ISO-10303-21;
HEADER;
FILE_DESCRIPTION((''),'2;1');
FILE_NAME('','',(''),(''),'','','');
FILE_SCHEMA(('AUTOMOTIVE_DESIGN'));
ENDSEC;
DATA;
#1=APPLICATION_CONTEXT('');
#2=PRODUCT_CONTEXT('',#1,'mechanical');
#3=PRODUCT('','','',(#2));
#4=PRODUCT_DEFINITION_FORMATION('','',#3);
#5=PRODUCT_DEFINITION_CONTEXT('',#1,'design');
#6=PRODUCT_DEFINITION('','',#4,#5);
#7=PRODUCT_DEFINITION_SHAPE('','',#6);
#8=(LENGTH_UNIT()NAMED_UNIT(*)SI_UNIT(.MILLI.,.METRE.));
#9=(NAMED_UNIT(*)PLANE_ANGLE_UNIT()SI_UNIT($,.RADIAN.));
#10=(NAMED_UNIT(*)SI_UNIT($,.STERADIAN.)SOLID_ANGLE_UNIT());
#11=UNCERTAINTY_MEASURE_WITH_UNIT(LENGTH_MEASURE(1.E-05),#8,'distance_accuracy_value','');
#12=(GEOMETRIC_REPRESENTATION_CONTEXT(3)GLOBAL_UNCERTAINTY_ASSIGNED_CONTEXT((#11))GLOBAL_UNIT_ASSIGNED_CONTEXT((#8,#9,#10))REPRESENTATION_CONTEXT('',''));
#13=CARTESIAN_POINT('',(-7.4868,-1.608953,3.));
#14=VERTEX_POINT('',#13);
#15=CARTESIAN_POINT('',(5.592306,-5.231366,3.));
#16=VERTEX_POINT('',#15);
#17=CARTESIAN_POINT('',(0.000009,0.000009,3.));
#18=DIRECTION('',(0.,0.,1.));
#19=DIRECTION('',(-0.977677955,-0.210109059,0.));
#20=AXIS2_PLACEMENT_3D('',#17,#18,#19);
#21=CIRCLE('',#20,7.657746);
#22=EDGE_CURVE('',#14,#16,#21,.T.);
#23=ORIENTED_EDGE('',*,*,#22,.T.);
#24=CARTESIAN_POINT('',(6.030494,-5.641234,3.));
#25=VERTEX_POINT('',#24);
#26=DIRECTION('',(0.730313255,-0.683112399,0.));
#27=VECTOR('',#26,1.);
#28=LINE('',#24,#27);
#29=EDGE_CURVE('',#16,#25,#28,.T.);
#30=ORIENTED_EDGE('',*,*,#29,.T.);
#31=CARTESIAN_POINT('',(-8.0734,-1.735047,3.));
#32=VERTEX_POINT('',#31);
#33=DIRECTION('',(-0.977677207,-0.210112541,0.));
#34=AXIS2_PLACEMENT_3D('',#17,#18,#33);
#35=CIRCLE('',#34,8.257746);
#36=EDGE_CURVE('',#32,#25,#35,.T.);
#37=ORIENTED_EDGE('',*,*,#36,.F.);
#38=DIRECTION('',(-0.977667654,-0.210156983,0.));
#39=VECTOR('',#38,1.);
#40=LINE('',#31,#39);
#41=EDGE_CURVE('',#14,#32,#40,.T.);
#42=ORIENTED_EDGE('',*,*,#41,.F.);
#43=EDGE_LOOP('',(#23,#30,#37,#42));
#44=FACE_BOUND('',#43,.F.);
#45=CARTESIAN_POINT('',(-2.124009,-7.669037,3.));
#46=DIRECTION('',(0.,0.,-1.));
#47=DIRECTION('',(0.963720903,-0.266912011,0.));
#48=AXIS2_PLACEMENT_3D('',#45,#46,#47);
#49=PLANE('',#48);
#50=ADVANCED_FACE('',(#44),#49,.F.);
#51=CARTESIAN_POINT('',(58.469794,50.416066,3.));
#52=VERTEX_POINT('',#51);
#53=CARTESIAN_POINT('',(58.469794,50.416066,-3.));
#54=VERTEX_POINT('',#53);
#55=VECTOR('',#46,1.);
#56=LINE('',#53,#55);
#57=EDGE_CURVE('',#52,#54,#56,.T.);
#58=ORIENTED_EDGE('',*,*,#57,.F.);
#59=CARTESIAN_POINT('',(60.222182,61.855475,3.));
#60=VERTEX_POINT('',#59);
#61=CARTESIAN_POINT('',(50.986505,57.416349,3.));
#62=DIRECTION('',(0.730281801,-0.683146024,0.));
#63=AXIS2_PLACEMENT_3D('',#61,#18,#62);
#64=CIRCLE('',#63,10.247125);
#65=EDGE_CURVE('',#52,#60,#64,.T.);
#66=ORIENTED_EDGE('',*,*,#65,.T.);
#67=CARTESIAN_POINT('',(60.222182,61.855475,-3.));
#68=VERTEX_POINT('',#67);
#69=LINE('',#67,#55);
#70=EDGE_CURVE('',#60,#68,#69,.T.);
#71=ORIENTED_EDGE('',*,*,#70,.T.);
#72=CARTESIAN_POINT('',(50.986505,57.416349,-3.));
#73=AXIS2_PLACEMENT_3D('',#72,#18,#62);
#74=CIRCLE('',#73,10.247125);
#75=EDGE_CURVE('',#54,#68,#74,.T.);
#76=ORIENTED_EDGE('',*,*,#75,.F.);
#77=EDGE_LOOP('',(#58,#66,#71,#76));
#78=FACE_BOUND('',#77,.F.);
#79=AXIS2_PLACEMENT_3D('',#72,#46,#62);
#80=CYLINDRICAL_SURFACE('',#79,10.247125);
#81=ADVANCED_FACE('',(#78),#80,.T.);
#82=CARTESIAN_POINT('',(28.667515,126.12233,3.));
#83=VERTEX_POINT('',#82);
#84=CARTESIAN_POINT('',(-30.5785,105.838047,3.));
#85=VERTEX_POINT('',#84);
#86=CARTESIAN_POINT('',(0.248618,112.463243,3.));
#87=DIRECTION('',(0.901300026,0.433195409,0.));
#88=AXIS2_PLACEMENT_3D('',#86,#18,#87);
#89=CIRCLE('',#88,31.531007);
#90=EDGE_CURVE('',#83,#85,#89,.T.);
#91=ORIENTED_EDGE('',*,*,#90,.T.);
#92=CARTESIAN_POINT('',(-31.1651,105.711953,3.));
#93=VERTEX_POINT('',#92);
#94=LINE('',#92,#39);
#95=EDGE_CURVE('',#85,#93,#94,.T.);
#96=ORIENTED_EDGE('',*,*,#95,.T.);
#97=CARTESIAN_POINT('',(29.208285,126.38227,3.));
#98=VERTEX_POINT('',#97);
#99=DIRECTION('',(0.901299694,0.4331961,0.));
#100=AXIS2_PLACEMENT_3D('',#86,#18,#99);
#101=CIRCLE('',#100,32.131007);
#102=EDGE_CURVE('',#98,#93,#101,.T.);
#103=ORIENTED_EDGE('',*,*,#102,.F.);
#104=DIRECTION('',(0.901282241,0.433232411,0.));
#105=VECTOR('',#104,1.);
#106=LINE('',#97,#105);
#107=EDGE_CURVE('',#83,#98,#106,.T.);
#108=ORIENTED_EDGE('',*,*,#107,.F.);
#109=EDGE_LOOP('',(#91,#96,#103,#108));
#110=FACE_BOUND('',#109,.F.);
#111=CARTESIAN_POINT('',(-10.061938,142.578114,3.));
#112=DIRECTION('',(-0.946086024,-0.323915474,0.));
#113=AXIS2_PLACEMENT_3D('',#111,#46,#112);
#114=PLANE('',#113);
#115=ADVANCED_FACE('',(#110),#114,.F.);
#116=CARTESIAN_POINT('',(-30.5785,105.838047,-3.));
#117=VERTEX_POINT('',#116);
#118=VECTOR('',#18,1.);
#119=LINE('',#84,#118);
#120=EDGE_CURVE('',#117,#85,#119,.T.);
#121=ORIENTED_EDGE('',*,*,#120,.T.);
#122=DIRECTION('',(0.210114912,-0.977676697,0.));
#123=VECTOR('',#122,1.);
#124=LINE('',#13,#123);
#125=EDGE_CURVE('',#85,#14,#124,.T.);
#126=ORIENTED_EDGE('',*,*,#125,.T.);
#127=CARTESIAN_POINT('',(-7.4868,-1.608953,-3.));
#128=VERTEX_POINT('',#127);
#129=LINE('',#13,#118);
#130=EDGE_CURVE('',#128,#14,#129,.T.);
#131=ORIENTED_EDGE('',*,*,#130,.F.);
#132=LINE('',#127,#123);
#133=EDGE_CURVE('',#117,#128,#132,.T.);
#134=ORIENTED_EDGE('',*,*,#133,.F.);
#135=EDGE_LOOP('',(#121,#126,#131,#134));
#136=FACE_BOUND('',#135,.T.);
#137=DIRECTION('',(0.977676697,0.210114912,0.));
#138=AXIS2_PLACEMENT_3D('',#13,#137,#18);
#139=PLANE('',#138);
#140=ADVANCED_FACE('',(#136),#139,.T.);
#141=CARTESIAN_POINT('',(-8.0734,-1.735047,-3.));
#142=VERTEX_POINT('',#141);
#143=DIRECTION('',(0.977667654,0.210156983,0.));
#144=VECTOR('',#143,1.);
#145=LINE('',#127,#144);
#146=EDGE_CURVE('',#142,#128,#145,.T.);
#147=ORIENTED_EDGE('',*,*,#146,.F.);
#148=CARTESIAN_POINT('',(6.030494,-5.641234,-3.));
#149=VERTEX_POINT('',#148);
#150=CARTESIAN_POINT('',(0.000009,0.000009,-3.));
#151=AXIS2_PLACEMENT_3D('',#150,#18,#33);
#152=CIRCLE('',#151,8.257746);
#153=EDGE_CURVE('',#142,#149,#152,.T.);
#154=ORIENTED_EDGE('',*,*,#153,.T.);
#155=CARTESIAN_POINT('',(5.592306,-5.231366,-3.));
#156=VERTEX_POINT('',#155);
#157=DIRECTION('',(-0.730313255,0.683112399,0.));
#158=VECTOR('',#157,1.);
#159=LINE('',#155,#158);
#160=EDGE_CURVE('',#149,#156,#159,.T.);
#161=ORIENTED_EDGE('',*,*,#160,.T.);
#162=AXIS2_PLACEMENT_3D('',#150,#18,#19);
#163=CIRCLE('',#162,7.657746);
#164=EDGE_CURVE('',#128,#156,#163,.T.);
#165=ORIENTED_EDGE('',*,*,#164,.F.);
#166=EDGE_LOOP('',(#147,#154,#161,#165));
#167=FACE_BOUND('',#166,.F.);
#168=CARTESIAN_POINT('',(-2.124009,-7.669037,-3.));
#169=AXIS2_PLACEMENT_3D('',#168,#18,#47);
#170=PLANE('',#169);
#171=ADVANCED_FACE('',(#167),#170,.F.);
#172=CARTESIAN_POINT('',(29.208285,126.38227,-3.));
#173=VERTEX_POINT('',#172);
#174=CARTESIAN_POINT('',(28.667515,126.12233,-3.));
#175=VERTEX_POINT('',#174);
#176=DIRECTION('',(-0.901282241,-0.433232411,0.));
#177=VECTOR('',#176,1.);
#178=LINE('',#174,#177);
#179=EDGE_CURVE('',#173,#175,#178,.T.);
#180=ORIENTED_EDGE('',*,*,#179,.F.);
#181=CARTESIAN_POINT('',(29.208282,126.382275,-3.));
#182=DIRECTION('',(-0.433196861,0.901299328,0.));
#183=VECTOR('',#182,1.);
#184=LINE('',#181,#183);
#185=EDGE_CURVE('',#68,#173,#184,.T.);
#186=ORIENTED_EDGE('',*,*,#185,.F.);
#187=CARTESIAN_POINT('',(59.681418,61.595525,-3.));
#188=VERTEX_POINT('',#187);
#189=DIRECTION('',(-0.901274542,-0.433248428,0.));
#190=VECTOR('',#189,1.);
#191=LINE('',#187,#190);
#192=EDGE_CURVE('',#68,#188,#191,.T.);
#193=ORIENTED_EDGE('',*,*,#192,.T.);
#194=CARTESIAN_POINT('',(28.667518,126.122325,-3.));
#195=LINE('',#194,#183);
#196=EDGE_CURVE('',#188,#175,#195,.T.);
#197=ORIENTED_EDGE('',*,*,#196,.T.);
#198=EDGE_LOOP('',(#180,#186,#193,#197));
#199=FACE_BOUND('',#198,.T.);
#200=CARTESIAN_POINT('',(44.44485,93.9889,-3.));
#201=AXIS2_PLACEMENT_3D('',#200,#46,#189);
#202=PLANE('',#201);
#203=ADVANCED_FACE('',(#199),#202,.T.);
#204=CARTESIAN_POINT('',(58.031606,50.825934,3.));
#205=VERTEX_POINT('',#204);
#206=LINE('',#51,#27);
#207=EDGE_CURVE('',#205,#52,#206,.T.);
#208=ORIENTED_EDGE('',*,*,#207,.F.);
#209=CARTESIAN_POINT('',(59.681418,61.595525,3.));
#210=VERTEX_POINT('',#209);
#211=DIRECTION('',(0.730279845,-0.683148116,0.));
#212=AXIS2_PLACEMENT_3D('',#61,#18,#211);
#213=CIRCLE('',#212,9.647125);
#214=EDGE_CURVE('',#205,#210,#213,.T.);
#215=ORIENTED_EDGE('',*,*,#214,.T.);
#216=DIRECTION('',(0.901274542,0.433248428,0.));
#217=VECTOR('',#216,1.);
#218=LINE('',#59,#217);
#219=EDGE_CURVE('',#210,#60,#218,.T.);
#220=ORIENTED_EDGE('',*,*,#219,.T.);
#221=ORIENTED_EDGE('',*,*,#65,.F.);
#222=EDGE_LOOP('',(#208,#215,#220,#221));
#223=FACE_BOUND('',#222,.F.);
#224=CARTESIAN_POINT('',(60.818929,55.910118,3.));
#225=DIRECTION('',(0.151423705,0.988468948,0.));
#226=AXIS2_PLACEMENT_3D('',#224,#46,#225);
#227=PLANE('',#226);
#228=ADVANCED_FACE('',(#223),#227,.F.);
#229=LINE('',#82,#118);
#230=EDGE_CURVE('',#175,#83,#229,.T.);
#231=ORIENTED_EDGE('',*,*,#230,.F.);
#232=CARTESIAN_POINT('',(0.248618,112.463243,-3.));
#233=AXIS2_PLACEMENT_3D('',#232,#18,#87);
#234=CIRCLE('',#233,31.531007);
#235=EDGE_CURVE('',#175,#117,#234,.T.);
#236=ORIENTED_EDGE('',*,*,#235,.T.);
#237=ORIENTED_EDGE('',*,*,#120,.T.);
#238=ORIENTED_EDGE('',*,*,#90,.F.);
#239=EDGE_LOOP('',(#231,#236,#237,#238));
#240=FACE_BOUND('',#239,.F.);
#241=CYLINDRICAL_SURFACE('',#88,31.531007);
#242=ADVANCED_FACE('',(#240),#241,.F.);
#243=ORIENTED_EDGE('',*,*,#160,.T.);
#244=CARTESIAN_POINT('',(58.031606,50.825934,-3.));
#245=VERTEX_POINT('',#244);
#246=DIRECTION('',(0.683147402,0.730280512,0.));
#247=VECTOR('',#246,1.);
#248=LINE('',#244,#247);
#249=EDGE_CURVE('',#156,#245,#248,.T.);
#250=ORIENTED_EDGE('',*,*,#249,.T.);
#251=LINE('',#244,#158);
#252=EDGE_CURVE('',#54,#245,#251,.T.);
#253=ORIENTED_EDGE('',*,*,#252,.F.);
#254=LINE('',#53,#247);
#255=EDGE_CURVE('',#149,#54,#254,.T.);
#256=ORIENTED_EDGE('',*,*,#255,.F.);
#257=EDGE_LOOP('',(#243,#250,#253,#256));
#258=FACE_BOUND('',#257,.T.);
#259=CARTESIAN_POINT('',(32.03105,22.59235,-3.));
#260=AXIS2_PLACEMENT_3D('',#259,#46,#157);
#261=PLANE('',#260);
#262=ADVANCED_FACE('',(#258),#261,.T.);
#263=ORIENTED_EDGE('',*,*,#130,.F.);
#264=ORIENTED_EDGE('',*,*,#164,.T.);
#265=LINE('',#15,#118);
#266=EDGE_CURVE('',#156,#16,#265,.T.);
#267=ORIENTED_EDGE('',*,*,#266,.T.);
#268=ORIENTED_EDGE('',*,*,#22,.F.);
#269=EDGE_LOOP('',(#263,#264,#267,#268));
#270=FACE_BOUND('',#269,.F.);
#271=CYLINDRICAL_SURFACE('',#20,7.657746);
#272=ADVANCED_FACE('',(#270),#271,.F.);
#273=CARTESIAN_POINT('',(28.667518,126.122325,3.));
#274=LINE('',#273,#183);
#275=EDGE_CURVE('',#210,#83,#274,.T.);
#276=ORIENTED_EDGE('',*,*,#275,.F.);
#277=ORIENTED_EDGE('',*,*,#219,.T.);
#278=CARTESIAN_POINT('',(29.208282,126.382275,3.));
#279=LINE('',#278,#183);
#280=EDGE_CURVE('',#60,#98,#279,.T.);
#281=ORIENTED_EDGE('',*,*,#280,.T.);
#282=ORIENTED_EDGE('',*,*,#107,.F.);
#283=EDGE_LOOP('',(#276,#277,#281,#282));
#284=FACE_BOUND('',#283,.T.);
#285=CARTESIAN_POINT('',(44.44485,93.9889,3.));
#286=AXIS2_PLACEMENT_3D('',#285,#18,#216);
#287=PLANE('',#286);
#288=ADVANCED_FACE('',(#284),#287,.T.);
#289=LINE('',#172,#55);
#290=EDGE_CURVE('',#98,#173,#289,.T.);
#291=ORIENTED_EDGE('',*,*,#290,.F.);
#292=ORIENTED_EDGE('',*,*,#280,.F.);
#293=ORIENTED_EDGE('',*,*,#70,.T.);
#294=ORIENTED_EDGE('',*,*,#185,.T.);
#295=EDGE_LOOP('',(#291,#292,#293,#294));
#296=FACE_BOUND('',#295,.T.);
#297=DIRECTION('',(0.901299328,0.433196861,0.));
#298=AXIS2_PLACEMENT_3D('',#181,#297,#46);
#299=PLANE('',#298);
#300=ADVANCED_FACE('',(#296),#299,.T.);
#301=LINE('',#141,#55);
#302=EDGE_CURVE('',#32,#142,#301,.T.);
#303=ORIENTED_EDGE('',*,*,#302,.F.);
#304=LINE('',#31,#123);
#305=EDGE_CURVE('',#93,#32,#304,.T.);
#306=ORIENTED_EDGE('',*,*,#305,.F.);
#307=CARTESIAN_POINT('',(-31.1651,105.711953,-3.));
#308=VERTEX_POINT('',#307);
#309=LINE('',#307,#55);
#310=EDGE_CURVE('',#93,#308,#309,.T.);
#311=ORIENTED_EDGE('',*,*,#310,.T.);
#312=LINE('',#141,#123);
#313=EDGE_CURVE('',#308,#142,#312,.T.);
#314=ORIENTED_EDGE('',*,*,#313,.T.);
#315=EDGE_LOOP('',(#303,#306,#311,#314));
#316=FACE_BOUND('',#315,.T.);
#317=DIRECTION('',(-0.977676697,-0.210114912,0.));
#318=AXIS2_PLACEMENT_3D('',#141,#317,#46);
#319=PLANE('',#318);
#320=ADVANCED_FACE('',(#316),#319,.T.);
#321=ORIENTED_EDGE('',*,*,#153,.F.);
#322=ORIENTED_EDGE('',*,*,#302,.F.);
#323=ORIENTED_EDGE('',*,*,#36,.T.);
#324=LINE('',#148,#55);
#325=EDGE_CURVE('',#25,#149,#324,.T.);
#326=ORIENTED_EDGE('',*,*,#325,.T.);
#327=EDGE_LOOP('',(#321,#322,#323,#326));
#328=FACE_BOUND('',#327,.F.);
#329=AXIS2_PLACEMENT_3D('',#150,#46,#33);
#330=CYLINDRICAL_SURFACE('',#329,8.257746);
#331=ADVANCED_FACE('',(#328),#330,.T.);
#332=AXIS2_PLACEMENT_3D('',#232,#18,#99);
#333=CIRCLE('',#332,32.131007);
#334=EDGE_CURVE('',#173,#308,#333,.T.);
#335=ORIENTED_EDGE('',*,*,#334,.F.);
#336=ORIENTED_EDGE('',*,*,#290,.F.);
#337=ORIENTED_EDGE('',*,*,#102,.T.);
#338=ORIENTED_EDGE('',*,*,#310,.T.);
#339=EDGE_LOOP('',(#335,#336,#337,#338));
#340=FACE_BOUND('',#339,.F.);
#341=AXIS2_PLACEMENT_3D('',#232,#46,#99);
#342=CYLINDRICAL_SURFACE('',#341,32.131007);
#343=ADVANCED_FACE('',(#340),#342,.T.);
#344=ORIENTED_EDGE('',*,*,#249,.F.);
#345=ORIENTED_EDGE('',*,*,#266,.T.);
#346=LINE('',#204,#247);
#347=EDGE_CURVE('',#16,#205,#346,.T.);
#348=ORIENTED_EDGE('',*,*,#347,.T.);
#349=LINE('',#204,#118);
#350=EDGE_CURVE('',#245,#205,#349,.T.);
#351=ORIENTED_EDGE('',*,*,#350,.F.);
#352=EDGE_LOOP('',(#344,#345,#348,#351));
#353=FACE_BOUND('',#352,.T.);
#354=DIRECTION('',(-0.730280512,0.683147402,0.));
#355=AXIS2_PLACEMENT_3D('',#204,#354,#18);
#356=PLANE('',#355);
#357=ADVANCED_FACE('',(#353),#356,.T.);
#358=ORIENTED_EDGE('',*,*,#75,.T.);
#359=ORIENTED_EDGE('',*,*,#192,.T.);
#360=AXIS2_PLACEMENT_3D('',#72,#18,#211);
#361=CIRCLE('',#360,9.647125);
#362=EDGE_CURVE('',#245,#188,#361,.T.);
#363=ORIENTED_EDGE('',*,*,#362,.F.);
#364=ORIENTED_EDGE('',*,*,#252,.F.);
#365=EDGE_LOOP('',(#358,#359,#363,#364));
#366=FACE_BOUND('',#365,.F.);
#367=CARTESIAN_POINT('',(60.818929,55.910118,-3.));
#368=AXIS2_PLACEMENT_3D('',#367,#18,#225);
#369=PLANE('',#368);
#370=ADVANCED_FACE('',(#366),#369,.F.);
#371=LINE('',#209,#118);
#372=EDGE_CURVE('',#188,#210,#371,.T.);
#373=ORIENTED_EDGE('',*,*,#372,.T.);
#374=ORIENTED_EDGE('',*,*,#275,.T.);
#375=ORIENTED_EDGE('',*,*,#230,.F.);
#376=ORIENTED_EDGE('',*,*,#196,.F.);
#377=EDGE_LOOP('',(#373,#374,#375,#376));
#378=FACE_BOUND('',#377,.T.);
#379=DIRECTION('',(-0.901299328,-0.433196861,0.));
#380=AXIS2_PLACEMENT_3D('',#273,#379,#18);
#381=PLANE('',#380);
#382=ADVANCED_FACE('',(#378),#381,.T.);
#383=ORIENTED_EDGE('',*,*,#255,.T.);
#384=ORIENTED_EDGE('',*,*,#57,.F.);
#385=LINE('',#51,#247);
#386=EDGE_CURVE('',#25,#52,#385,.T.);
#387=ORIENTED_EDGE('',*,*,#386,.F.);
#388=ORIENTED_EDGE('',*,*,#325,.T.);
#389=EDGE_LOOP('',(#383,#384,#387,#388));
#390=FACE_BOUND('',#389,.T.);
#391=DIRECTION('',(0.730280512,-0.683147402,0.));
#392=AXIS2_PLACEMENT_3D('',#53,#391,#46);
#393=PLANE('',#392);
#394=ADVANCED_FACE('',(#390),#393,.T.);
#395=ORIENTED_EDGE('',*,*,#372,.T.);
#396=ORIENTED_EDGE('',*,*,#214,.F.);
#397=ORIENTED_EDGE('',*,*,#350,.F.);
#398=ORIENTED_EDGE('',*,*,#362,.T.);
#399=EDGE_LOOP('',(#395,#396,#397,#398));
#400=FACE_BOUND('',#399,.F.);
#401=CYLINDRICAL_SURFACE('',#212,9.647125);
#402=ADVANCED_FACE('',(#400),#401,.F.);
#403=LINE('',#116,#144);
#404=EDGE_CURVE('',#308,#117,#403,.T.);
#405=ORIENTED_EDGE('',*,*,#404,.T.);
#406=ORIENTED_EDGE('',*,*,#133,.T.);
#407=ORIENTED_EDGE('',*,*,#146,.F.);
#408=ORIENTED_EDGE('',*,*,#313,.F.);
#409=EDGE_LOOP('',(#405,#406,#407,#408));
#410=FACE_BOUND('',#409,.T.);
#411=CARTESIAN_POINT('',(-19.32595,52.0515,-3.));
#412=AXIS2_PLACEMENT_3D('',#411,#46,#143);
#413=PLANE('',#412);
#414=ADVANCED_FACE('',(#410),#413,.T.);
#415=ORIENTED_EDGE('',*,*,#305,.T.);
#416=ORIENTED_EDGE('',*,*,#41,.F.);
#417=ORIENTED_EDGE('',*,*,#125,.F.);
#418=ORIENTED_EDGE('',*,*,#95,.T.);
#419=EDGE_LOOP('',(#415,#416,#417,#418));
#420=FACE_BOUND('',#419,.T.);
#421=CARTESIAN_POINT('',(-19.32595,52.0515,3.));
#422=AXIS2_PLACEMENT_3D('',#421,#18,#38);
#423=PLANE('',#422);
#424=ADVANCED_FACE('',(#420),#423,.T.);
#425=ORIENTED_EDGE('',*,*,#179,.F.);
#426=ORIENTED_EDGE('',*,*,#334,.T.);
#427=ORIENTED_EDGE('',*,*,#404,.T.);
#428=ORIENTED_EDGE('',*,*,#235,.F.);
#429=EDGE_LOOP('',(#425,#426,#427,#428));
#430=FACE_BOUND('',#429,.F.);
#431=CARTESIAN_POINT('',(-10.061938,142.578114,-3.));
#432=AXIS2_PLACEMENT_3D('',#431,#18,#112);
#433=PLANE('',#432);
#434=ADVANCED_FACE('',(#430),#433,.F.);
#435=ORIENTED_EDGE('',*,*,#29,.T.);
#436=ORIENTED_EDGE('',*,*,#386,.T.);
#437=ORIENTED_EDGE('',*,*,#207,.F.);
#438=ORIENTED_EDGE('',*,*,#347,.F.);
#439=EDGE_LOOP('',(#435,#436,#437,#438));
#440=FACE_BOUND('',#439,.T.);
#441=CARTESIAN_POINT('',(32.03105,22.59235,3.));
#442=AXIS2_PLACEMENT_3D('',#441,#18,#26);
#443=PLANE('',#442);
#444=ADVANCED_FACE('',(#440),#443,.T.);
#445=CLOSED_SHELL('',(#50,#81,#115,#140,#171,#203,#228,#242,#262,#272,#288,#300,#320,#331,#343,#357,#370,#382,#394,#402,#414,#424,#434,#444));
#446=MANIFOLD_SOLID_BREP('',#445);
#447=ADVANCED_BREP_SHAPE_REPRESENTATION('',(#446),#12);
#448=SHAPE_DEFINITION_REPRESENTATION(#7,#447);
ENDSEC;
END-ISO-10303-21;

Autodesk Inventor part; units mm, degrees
sketch "Sketch Path" plane through (0, 0, 0) normal (0, 0, 1) x (1, 0, 0)
  arc A0 (-7.7801, -1.672) -> (5.8114, -5.4363) centre (0, 0) ccw
  arc A1 (28.9379, 126.2523) -> (-30.8718, 105.775) centre (0.2486, 112.4632) ccw
  arc A2 (58.2507, 50.621) -> (59.9518, 61.7255) centre (50.9864, 57.4164) ccw
  line L0 (58.2507, 50.621) -> (5.8114, -5.4363)
  line L1 (-7.7801, -1.672) -> (-30.8718, 105.775)
  line L2 (28.9379, 126.2523) -> (59.9518, 61.7255)
ref_plane "Cross Section Plane" through (5.8114, -5.4363, 0) normal (0.6831, 0.7303, 0) x (0, 0, 1)
ref_plane "Work Plane2" through (0, 0, 0) normal (-1, 0, 0) x (0, 0, 1)
ref_plane "Work Plane3" through (0.2486, 112.4632, 0) normal (0.155, -0.9879, 0) x (0, 0, 1)
ref_plane "Work Plane4" through (50.9864, 57.4164, 0) normal (-0.4137, 0.9104, 0) x (0, 0, 1)
sketch "Cross Section" plane through (5.8114, -5.4363, 0) normal (0.6831, 0.7303, 0) x (0, 0, 1)
  line L0 (-3, 0.3) -> (3, 0.3)
  line L1 (3, 0.3) -> (3, -0.3)
  line L2 (3, -0.3) -> (-3, -0.3)
  line L3 (-3, -0.3) -> (-3, 0.3)
  line L4 (-3, 0) -> (3, 0) construction
  point P0 (0, 0)
  point P1 (0, 0)
  dimension "d0" = 6
  dimension "d4" = 0.3
  dimension "d5" = 0.3
sweep "Belt" add profiles "Cross Section" path "Sketch Path"
equation "\"d0\" = da_B"
equation "\"d4\" = da_a"
equation "\"d5\" = da_a2"
equation "\"da_B\" = 6"
equation "\"da_pb\" = 2.5"
equation "\"da_a\" = 0.3"
equation "\"da_S\" = 1.5"
equation "\"da_Beta\" = 20deg"
equation "\"da_Ht\" = 0.7"
equation "\"da_H\" = 1.3"
equation "\"da_a2\" = 0.3"
properties part number "Synchronous Belt" material "Rubber"
